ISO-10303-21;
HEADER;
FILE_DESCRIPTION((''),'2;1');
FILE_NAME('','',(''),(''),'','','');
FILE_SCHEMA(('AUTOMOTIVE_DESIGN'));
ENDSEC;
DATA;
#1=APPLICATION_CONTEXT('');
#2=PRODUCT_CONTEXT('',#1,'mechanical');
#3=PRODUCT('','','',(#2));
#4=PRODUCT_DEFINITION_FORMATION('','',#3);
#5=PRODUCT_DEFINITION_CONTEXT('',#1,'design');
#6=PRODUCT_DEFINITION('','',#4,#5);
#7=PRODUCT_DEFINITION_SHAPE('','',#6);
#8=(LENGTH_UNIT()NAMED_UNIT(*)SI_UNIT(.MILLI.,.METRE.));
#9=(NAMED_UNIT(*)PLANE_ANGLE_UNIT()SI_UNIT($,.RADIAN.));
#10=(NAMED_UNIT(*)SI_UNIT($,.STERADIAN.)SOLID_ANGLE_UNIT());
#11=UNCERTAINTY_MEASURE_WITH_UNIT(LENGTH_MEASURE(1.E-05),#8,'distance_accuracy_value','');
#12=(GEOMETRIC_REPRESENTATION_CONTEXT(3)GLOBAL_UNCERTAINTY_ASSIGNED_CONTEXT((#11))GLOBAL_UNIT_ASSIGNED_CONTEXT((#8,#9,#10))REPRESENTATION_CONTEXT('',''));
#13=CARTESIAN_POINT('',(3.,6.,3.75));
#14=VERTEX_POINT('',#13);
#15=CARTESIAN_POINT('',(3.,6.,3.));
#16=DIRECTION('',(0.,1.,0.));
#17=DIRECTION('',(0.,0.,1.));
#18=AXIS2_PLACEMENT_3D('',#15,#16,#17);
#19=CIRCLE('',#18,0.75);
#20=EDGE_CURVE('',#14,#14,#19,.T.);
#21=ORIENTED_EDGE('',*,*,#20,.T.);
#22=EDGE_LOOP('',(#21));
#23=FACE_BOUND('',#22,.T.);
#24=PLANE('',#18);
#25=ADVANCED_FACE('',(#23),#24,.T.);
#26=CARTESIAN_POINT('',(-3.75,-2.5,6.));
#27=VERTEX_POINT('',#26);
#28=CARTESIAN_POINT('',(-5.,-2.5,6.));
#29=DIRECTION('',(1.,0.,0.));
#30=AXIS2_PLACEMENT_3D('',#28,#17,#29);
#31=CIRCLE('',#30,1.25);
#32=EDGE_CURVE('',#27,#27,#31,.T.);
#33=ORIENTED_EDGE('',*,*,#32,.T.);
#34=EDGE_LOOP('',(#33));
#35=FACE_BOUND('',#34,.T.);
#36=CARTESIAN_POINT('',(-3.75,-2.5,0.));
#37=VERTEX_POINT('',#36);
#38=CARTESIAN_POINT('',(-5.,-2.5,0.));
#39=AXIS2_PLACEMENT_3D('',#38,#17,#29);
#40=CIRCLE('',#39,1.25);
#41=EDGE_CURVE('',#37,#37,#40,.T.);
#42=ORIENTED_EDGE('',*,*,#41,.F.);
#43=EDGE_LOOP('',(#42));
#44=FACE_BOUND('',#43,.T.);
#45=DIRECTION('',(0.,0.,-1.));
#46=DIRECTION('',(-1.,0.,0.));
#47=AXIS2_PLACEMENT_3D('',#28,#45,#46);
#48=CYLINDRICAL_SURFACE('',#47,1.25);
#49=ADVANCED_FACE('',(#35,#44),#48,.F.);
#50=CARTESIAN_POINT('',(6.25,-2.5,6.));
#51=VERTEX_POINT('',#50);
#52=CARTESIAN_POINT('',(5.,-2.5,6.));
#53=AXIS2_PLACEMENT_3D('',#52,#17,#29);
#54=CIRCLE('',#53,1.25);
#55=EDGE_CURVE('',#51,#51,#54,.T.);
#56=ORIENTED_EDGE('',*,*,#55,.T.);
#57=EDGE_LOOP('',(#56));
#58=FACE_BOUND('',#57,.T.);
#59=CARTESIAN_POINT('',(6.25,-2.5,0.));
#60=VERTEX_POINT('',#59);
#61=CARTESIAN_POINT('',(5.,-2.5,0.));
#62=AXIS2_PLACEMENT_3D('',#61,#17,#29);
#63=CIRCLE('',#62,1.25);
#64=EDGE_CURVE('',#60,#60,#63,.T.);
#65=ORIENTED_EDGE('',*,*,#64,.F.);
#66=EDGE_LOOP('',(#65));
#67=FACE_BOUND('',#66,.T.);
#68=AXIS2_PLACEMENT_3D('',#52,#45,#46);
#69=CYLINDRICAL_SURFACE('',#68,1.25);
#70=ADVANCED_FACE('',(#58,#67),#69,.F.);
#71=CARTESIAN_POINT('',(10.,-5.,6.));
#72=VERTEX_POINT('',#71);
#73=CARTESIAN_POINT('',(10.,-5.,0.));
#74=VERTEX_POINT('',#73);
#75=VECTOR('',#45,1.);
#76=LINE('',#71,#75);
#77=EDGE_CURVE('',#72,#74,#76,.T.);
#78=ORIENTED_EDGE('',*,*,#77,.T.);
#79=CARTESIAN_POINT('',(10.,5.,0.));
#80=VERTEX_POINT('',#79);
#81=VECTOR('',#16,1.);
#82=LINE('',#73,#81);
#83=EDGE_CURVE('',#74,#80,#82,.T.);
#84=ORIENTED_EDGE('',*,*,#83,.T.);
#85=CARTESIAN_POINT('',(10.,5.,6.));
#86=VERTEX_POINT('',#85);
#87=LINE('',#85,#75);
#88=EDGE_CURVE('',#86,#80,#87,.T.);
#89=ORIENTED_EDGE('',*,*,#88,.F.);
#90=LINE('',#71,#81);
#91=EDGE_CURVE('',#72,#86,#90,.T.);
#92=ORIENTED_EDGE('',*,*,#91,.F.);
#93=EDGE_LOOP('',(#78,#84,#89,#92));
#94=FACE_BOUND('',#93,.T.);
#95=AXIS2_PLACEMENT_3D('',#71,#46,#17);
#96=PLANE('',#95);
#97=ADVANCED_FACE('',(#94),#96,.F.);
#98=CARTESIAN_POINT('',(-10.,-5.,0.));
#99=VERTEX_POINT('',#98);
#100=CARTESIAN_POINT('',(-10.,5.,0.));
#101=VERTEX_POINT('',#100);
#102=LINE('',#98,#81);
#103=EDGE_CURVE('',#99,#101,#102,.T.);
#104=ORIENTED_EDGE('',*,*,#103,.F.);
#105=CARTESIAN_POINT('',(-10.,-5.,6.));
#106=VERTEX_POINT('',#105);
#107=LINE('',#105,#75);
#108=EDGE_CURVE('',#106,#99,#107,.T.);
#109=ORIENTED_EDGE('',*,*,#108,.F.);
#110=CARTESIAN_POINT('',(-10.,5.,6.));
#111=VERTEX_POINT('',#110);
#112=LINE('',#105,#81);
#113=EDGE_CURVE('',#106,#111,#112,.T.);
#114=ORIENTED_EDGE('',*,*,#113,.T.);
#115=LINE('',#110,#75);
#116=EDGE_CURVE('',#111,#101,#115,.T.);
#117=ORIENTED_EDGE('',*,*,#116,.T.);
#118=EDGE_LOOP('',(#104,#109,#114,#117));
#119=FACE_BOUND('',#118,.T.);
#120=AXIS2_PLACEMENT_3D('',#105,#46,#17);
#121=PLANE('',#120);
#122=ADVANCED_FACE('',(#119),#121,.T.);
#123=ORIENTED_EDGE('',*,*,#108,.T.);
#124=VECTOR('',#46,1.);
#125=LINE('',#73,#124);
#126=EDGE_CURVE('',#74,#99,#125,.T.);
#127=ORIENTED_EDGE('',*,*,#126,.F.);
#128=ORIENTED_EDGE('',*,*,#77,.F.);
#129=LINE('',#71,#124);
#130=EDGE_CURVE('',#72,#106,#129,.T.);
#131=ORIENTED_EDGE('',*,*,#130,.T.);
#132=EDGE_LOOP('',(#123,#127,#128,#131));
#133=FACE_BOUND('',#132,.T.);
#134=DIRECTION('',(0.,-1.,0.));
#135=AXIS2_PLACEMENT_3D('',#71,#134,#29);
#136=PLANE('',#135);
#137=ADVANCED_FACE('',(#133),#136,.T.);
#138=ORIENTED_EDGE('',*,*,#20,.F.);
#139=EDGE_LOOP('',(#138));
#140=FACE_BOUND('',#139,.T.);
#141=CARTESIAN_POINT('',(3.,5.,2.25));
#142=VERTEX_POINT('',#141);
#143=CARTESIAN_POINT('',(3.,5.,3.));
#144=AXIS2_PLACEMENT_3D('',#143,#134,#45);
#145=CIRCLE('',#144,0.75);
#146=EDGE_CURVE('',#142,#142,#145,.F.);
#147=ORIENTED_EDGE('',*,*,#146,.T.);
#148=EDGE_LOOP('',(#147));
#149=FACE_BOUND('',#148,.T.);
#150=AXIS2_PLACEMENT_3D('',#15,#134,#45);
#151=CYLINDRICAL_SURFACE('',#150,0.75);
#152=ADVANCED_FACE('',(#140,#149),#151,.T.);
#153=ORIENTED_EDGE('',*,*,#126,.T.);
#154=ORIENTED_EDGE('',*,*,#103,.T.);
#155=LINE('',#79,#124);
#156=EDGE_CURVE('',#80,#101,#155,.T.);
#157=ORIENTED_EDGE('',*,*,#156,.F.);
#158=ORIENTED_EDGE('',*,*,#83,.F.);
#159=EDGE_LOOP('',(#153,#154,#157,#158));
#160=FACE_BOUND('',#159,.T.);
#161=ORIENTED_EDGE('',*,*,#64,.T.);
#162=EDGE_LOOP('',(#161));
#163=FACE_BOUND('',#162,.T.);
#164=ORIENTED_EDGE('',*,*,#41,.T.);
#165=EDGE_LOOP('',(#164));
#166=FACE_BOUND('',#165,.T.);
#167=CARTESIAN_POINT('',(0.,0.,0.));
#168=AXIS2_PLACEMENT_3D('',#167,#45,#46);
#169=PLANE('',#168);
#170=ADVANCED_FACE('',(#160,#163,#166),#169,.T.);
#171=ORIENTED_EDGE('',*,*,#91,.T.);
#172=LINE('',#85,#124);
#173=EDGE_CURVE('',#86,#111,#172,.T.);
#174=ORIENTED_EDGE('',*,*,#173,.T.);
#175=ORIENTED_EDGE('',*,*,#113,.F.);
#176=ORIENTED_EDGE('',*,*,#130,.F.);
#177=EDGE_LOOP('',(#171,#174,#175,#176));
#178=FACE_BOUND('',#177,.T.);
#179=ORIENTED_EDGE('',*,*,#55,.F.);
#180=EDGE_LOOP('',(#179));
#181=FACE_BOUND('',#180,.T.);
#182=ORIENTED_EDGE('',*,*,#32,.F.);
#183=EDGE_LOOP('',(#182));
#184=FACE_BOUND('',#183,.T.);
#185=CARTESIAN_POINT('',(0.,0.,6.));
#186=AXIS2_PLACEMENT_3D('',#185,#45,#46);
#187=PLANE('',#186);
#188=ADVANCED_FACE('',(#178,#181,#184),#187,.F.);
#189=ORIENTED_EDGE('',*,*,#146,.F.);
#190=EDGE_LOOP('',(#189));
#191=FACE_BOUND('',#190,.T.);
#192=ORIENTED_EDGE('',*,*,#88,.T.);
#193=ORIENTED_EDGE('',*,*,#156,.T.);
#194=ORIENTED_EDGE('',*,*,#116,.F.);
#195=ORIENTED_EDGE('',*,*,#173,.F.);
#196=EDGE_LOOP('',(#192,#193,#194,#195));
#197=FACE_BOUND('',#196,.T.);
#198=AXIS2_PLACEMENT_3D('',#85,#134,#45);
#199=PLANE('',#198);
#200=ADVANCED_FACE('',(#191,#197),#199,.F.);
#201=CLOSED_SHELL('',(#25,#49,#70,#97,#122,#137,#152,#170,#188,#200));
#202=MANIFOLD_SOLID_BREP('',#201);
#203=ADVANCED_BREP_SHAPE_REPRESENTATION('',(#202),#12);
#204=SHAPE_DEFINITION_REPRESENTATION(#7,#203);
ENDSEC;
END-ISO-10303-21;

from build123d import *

# Parameters (mm, degrees)
SKETCH1_W           = 20
SKETCH1_H           = 10
SKETCH1_R           = 1.25
BOSS_EXTRUDE1_DEPTH = 6
SKETCH2_R           = 0.75
BOSS_EXTRUDE2_DEPTH = 1


with BuildPart() as part:
    # Sketch1 → Boss-Extrude1 (new body)
    with BuildSketch(Plane.XY):
        Rectangle(SKETCH1_W, SKETCH1_H)
        with Locations((-5, -2.5)):
            Circle(SKETCH1_R, mode=Mode.SUBTRACT)
        with Locations((5, -2.5)):
            Circle(SKETCH1_R, mode=Mode.SUBTRACT)
    extrude(amount=BOSS_EXTRUDE1_DEPTH)

    # Sketch2 → Boss-Extrude2 (add)
    with BuildSketch(Plane(origin=(0, 5, 0), x_dir=(1, 0, 0), z_dir=(0, 1, 0))):
        with Locations((3, -3)):
            Circle(SKETCH2_R)
    extrude(amount=BOSS_EXTRUDE2_DEPTH)


solid = part.part
